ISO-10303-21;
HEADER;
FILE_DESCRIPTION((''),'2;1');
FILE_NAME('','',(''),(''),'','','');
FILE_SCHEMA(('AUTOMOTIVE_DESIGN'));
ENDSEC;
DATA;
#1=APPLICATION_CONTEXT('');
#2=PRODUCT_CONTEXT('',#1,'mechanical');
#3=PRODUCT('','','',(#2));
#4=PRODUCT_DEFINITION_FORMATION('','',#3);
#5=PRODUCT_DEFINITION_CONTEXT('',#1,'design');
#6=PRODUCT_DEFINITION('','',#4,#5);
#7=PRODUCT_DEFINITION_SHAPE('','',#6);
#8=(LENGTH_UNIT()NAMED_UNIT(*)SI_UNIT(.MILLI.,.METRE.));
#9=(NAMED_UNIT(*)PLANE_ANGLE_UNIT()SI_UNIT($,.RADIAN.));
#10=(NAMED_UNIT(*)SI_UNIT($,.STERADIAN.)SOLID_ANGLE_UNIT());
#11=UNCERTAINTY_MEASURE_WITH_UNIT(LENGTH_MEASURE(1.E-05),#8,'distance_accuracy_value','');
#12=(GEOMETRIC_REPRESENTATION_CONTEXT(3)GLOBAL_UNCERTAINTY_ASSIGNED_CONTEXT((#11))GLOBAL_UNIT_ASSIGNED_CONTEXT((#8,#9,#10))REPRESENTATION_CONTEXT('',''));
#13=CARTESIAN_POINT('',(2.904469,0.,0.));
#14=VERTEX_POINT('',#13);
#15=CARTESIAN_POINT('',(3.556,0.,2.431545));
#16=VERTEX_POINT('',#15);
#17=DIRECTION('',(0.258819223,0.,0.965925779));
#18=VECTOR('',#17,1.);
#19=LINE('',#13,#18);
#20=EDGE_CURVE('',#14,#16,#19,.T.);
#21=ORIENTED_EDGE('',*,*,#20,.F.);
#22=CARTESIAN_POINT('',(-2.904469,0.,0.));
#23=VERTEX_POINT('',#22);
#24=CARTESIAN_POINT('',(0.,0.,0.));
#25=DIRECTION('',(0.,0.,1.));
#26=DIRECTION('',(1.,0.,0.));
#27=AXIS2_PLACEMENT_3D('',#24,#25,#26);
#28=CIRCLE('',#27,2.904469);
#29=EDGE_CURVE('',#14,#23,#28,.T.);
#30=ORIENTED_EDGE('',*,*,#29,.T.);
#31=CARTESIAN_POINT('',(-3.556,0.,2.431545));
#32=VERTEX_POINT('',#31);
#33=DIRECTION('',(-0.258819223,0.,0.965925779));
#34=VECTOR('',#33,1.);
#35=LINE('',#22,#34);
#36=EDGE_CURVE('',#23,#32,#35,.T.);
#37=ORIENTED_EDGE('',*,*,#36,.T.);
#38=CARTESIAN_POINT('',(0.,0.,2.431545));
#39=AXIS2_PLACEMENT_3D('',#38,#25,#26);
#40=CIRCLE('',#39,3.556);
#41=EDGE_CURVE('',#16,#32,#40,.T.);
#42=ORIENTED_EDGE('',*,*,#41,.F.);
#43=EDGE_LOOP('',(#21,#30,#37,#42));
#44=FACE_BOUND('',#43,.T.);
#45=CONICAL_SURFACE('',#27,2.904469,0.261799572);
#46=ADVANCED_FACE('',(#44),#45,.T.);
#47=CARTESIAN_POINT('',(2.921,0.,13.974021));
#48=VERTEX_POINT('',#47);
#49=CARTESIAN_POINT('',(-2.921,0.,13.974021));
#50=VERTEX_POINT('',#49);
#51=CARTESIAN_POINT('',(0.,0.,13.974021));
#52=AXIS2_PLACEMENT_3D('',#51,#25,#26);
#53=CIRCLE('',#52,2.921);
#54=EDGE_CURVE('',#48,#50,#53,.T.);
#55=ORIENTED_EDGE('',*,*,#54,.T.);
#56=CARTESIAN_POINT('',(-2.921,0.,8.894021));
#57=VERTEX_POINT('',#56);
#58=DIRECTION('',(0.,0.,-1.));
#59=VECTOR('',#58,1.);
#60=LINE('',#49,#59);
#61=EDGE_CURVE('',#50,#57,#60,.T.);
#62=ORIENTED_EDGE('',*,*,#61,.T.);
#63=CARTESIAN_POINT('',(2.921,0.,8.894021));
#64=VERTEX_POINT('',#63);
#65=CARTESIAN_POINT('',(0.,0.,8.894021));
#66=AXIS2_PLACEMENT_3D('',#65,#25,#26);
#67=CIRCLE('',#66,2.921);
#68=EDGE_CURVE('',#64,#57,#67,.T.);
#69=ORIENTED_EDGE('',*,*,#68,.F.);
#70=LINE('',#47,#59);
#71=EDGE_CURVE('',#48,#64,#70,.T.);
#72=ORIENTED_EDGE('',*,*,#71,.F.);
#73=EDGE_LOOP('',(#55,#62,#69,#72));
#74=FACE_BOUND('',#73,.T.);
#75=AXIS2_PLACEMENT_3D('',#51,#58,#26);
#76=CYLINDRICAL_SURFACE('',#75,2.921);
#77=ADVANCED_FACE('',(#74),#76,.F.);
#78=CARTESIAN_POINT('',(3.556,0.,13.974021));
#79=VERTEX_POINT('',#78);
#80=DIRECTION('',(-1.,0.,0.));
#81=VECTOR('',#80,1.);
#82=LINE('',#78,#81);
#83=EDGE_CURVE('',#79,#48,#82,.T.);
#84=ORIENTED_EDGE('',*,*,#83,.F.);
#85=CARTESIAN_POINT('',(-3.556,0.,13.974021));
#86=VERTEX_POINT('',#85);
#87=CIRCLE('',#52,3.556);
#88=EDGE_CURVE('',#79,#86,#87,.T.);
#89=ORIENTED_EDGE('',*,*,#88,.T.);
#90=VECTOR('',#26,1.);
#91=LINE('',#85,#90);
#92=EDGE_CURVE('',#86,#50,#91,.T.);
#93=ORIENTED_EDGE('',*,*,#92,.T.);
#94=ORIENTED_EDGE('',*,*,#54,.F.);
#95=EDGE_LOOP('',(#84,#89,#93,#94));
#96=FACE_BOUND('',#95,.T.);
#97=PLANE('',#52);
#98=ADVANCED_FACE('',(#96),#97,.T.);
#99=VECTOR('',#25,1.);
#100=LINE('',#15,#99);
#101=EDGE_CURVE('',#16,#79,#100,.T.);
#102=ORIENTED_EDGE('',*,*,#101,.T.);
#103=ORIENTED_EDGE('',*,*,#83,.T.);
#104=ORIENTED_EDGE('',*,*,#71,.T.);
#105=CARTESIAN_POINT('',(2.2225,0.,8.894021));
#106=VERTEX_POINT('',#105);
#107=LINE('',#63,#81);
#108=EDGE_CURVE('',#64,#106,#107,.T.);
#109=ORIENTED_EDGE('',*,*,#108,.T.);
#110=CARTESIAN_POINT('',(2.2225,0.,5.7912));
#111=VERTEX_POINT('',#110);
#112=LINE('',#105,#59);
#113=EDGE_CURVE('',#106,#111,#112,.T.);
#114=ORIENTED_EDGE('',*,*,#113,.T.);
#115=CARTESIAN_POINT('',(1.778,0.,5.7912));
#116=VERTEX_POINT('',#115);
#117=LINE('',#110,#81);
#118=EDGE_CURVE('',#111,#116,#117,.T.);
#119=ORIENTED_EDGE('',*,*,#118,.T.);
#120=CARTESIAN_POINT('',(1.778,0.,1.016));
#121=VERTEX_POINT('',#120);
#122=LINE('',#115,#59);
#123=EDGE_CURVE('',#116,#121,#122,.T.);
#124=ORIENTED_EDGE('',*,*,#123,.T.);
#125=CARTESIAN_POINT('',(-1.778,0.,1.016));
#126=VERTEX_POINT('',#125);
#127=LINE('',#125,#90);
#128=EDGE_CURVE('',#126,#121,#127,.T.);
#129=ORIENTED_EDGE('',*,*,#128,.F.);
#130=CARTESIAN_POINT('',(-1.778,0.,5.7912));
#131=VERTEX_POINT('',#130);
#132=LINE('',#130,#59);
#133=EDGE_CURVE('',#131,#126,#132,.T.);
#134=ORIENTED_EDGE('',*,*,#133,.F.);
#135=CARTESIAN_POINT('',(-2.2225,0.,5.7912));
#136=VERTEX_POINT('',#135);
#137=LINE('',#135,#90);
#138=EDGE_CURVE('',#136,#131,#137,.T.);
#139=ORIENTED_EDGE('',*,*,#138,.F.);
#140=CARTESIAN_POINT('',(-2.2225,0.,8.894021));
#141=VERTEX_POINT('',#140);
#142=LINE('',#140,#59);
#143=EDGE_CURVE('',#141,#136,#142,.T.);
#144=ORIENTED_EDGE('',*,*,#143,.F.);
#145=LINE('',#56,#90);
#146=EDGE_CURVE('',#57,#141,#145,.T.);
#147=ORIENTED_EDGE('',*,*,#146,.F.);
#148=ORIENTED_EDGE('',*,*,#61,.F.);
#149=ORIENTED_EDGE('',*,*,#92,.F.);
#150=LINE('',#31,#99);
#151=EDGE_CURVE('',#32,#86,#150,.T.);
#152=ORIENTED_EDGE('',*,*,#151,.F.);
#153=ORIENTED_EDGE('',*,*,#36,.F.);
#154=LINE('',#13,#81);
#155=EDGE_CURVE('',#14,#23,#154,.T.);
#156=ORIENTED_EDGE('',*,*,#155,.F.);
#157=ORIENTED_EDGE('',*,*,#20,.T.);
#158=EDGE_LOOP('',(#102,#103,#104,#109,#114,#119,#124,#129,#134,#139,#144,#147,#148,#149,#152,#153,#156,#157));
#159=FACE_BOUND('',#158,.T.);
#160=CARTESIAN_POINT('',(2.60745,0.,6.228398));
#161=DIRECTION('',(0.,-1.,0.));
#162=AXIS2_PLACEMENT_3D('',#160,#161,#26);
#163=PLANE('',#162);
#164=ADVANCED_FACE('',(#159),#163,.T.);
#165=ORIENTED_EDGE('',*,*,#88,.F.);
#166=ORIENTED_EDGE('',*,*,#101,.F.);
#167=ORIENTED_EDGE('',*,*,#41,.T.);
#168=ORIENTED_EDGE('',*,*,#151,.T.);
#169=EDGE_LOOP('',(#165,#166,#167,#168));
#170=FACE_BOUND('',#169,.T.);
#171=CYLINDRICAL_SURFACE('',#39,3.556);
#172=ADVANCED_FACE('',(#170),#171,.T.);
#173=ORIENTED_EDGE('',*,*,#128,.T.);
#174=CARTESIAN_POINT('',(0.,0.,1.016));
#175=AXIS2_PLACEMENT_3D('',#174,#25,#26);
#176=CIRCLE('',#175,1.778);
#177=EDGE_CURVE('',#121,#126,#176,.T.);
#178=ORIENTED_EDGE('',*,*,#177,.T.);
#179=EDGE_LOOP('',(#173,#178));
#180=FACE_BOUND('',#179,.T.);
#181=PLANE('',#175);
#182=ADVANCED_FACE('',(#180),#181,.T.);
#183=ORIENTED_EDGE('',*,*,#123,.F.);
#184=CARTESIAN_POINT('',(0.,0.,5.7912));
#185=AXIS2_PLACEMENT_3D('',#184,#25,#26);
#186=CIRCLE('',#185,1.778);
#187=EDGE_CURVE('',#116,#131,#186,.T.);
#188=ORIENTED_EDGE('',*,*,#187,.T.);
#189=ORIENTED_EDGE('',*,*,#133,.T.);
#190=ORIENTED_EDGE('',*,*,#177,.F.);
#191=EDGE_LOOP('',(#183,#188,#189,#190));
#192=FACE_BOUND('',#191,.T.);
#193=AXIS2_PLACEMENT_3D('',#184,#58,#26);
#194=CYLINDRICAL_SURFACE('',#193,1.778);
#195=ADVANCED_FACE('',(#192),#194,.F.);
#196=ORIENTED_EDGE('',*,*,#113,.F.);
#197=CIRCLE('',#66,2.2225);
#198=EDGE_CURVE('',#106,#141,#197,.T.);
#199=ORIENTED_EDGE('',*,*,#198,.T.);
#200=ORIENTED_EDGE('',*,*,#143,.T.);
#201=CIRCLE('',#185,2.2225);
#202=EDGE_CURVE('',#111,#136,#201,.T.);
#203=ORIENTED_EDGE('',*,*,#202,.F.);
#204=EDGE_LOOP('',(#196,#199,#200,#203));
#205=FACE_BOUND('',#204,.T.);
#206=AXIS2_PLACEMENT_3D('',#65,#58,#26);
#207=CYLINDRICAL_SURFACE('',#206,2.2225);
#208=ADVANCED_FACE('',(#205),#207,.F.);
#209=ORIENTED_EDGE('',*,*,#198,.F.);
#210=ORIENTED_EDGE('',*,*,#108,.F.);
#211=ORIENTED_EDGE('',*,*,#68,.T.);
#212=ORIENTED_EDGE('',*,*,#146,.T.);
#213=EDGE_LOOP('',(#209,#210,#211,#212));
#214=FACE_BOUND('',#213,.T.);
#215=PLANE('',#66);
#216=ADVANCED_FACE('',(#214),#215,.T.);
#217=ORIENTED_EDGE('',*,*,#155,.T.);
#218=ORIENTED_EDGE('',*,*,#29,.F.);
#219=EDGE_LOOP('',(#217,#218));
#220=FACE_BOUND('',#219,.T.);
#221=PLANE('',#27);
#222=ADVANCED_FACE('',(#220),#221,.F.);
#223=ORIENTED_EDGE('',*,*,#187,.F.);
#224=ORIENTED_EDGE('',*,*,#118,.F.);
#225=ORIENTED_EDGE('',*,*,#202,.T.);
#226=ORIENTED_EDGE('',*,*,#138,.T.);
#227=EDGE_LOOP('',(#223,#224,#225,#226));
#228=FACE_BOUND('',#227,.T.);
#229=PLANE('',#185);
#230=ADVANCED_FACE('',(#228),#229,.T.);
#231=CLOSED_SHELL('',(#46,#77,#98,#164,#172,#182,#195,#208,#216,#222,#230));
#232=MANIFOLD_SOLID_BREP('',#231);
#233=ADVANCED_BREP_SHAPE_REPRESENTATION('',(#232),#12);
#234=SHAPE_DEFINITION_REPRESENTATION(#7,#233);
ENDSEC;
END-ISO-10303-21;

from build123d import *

# Parameters (mm, degrees)
F1_ANGLE = 180


with BuildPart() as f1:
    # F0 (on Front) → F1 (revolve)
    with BuildSketch(Plane.XZ):
        Polygon((2.904469, 0), (3.556, 2.431545), (3.556, 13.974021), (2.921, 13.974021), (2.921, 8.894021), (2.2225, 8.894021), (2.2225, 5.7912), (1.778, 5.7912), (1.778, 1.016), (0, 1.016), (0, 0), align=None)
    revolve(axis=Axis((0, 0, 0.508), (0, 0, 1)), revolution_arc=F1_ANGLE)


solid = f1.part
